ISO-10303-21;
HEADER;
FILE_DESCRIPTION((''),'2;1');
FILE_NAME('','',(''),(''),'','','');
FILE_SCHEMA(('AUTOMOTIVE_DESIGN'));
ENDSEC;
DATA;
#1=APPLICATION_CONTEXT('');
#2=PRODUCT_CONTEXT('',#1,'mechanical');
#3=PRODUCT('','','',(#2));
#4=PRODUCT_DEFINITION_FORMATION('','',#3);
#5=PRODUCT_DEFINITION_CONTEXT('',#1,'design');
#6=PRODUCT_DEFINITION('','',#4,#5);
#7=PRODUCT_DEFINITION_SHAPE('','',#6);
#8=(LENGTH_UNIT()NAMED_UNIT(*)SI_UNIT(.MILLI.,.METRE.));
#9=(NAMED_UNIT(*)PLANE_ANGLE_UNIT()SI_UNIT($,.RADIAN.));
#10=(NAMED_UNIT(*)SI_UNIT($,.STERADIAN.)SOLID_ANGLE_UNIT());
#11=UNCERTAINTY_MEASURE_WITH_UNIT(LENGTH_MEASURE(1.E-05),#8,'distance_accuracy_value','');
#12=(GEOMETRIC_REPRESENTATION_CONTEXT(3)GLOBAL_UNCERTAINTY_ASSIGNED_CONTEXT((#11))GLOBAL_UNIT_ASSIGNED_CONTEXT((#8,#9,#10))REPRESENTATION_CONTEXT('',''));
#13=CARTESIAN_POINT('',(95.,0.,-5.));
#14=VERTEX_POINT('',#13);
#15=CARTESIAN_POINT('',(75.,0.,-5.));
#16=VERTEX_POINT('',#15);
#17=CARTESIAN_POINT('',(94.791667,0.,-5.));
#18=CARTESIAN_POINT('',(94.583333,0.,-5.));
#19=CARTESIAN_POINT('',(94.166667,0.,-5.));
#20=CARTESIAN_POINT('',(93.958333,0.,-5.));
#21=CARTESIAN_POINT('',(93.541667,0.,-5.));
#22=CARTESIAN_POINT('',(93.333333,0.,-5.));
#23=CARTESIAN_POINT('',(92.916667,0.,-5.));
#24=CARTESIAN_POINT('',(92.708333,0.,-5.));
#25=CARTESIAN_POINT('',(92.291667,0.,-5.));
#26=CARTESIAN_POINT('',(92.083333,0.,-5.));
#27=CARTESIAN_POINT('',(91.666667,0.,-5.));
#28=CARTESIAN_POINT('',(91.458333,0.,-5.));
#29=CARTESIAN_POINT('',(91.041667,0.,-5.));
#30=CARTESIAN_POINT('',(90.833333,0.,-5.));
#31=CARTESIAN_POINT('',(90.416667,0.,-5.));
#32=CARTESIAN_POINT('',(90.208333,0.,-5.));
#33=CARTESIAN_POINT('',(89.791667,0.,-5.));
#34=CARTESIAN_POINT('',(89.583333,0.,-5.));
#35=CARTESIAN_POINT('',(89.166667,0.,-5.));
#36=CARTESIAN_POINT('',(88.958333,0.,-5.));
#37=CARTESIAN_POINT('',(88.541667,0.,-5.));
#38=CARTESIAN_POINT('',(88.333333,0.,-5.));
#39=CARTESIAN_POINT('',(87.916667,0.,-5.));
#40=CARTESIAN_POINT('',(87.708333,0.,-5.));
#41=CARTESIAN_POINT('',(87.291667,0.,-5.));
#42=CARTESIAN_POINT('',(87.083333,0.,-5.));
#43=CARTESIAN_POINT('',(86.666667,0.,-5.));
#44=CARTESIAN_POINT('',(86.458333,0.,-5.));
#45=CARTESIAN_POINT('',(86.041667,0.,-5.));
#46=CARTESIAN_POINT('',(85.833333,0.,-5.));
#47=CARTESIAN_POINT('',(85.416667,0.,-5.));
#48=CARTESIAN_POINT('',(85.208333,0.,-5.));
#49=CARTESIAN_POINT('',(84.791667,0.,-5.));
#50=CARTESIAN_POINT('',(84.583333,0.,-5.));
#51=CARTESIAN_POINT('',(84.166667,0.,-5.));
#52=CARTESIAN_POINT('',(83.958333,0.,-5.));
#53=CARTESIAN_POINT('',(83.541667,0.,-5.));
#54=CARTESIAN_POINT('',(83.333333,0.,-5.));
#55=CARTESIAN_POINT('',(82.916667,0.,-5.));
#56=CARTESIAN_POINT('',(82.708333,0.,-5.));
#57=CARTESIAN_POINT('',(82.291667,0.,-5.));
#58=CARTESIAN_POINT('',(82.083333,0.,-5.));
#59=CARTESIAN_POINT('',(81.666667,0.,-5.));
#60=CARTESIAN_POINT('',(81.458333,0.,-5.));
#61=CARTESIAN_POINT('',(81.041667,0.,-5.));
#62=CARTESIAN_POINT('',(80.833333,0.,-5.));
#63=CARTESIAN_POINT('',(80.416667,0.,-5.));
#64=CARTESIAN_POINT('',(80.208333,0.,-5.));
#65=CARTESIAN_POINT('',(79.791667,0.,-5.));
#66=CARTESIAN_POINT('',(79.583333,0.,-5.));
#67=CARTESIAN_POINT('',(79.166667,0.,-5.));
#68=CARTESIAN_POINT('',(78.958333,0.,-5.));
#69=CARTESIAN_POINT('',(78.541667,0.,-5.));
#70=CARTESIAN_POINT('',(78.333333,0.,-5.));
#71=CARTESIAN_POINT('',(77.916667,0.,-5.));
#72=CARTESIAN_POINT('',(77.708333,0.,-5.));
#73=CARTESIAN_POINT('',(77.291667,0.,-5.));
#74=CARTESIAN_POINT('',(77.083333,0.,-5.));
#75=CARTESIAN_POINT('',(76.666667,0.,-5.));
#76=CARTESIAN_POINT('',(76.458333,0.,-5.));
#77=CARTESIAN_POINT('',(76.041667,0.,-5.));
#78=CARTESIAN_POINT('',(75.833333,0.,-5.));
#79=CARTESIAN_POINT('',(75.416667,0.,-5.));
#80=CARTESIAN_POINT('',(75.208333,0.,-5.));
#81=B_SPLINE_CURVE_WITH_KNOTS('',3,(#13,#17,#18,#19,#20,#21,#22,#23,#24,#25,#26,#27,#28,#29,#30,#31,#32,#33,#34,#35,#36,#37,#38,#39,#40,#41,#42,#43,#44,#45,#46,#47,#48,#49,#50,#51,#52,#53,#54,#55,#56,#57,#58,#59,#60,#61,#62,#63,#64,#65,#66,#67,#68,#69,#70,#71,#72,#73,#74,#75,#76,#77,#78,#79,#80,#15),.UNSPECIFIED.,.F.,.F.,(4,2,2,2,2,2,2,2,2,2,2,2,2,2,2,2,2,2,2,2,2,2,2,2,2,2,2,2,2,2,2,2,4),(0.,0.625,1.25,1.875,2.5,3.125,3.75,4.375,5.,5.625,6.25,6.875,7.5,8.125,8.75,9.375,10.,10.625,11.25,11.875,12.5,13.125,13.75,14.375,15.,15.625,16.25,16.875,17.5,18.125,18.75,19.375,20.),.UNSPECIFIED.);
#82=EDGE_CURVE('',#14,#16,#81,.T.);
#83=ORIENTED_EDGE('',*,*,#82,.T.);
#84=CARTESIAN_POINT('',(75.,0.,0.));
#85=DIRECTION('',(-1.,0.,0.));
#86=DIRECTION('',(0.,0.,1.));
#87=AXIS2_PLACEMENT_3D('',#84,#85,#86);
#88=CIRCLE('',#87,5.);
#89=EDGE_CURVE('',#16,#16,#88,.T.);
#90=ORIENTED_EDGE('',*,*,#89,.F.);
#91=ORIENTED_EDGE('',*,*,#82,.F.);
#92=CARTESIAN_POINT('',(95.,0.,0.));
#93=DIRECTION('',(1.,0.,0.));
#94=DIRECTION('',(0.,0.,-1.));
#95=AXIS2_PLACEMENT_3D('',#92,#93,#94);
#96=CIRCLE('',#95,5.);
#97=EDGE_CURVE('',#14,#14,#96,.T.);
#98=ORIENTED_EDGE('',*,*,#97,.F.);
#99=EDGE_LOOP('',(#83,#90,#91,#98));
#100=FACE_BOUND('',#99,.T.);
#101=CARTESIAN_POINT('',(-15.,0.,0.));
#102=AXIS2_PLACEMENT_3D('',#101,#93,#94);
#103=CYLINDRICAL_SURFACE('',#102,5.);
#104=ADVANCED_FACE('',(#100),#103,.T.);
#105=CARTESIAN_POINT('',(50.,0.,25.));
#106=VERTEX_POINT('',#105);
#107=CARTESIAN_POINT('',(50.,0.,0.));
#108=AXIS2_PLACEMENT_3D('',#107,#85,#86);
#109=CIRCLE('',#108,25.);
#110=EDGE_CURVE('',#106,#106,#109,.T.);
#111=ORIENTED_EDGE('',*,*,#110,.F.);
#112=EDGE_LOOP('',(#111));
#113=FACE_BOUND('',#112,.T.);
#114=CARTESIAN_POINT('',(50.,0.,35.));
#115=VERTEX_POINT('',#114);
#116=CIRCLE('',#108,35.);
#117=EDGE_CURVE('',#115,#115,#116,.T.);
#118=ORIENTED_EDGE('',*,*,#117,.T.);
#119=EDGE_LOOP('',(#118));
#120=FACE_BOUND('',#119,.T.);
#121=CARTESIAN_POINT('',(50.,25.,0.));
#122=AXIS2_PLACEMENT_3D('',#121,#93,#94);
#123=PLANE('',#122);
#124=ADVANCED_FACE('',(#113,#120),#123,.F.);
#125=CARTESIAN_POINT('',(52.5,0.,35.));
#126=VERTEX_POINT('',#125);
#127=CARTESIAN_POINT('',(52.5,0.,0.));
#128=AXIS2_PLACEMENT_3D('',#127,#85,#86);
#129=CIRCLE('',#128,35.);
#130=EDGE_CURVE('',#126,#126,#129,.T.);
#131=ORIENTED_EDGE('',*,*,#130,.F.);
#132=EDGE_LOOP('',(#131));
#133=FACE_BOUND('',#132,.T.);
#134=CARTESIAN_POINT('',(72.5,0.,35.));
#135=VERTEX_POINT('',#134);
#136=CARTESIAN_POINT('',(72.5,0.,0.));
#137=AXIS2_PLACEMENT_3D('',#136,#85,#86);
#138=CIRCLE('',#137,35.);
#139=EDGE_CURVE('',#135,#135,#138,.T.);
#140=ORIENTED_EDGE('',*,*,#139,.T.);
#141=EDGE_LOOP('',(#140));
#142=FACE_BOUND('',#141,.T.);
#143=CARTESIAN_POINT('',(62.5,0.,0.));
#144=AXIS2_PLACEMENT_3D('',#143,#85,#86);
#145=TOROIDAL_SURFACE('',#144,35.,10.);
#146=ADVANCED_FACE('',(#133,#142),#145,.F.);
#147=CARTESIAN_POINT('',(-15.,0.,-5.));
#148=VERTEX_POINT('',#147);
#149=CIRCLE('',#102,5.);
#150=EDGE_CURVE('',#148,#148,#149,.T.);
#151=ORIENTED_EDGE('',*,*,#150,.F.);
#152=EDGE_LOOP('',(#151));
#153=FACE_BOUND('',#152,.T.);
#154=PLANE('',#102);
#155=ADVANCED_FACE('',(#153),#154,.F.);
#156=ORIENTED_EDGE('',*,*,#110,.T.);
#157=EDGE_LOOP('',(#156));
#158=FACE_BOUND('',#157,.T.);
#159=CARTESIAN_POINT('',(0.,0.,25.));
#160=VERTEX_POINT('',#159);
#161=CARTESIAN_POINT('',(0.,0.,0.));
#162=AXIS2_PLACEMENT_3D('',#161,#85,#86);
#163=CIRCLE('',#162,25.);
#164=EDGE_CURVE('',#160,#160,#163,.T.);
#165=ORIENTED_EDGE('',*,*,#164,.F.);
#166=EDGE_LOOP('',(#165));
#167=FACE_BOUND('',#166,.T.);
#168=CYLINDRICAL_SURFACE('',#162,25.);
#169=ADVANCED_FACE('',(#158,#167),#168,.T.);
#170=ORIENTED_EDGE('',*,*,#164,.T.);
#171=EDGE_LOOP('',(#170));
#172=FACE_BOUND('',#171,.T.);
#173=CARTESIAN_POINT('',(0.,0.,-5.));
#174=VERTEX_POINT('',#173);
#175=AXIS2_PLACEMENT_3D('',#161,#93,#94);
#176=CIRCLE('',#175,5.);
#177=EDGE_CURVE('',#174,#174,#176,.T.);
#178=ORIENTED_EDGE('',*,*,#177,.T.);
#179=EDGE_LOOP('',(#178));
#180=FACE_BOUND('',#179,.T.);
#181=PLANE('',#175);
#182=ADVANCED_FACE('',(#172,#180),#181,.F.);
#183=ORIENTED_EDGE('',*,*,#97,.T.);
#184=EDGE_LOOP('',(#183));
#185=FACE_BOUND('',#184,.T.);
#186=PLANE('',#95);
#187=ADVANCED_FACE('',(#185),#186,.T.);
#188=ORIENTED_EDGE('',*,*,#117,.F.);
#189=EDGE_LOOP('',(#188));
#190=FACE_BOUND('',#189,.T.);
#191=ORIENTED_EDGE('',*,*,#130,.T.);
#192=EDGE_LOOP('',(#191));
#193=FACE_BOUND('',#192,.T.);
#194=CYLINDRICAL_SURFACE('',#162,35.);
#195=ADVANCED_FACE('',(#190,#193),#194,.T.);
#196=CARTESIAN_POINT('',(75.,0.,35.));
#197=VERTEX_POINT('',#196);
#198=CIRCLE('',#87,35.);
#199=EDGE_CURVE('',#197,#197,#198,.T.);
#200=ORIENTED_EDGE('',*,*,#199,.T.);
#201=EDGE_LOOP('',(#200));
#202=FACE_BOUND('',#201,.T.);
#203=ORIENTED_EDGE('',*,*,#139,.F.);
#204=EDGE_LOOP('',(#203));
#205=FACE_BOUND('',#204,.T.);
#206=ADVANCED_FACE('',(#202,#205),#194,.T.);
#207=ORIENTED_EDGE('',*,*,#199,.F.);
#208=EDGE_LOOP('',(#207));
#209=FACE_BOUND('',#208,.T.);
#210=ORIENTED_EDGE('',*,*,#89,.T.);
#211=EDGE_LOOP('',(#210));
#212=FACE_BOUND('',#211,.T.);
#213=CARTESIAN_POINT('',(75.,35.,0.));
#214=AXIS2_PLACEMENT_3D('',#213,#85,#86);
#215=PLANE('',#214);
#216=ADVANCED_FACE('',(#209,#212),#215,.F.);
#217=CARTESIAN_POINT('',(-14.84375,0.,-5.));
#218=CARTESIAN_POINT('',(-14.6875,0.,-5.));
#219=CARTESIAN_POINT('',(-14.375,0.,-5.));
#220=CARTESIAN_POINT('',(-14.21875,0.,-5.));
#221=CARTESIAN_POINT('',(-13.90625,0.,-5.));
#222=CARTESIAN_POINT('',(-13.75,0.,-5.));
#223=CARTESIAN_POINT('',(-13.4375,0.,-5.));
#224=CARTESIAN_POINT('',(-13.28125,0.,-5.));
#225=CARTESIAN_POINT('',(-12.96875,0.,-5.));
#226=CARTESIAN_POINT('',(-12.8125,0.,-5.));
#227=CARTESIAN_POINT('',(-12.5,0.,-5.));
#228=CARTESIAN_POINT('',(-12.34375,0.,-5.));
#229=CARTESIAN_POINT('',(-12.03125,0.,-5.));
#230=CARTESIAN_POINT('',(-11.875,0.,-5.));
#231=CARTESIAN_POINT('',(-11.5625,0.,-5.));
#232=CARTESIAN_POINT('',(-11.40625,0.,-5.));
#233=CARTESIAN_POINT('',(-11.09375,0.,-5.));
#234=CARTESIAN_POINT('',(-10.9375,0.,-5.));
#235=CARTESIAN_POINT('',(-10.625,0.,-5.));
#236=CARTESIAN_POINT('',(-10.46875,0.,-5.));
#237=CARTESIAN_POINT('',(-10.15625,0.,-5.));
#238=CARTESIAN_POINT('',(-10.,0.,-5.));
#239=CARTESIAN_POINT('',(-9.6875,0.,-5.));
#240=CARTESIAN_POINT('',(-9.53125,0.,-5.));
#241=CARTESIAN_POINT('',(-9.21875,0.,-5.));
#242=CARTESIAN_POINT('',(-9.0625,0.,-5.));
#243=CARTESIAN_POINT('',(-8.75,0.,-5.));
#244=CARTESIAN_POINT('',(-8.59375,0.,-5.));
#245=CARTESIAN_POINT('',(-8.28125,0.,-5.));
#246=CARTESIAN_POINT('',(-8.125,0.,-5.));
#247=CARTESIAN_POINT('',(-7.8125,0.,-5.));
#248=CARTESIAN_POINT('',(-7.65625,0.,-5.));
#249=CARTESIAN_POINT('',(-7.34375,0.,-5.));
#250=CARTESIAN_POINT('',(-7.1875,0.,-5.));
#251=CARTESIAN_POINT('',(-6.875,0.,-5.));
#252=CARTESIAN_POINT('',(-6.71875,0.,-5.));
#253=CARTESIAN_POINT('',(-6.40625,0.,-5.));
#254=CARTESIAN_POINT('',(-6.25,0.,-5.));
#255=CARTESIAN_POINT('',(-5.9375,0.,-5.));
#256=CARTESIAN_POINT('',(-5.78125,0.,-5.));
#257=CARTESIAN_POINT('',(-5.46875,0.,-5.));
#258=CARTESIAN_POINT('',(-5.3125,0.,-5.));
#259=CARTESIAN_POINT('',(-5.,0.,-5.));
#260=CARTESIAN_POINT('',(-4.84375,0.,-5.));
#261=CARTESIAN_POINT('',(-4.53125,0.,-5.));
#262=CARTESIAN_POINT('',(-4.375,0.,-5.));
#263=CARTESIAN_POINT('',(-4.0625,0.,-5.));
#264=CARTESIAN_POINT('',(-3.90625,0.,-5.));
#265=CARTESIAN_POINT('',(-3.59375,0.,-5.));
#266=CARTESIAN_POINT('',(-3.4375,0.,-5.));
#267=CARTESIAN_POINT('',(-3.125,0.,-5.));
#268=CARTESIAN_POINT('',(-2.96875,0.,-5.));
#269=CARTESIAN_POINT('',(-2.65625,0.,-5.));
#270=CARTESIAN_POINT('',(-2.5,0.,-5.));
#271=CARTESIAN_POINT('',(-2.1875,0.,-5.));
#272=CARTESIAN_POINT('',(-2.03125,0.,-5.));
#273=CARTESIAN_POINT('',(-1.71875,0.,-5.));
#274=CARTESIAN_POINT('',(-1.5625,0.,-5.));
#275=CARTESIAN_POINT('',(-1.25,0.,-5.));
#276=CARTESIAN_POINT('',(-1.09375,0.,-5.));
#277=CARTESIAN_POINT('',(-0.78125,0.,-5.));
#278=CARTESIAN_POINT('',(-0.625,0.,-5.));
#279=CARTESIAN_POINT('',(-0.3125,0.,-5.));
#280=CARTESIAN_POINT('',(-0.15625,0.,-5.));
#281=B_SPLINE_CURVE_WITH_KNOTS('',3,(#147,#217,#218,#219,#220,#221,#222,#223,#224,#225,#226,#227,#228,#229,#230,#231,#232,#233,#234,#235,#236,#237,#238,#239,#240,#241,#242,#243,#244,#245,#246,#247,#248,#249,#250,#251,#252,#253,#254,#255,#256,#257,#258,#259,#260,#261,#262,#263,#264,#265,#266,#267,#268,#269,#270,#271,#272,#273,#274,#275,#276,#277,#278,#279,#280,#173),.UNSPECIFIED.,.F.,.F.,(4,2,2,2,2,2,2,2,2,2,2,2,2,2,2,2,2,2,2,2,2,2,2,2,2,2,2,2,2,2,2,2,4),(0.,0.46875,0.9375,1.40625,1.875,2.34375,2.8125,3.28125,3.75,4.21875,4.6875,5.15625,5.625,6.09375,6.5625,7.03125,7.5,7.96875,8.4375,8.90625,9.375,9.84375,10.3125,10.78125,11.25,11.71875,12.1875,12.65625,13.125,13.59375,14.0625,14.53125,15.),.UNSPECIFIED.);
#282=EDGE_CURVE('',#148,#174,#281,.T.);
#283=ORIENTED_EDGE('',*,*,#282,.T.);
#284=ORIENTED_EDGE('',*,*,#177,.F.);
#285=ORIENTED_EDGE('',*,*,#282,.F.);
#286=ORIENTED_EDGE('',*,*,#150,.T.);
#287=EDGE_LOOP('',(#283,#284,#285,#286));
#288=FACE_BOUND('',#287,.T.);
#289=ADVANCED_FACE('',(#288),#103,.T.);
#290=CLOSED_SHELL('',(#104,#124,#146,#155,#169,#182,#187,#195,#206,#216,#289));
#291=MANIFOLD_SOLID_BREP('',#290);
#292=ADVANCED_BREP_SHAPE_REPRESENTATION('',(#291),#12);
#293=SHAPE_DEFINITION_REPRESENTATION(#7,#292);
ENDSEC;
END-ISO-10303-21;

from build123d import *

# Parameters (mm, degrees)
BOSS_EXTRUDE3_DEPTH      = 20
BOSS_EXTRUDE3_DEPTH_BACK = 90
SKETCH5_R                = 5


with BuildPart() as part:
    # Sketch4 → Revolve1 (revolve)
    with BuildSketch(Plane.XY, mode=Mode.PRIVATE) as revolve1_sk:
        with BuildLine():
            Line((0, 0), (75, 0))
            Line((75, 0), (75, 35))
            Line((75, 35), (72.5, 35))
            ThreePointArc((72.5, 35), (62.5, 25), (52.5, 35))
            Line((52.5, 35), (50, 35))
            Line((50, 35), (50, 25))
            Line((50, 25), (0, 25))
            Line((0, 25), (0, 0))
        make_face()
    revolve(revolve1_sk.sketch.rotate(Axis((0, 0, 0), (1, 0, 0)), 90), axis=Axis((0, 0, 0), (1, 0, 0)))

    # Sketch5 → Boss-Extrude3 (add, two sides: drawn at the far end of the back side and taken through both)
    with BuildSketch(Plane(origin=(75, 0, 0), x_dir=(0, 0, -1), z_dir=(1, 0, 0)).offset(-BOSS_EXTRUDE3_DEPTH_BACK)):
        Circle(SKETCH5_R)
    extrude(amount=BOSS_EXTRUDE3_DEPTH + BOSS_EXTRUDE3_DEPTH_BACK)


solid = part.part
